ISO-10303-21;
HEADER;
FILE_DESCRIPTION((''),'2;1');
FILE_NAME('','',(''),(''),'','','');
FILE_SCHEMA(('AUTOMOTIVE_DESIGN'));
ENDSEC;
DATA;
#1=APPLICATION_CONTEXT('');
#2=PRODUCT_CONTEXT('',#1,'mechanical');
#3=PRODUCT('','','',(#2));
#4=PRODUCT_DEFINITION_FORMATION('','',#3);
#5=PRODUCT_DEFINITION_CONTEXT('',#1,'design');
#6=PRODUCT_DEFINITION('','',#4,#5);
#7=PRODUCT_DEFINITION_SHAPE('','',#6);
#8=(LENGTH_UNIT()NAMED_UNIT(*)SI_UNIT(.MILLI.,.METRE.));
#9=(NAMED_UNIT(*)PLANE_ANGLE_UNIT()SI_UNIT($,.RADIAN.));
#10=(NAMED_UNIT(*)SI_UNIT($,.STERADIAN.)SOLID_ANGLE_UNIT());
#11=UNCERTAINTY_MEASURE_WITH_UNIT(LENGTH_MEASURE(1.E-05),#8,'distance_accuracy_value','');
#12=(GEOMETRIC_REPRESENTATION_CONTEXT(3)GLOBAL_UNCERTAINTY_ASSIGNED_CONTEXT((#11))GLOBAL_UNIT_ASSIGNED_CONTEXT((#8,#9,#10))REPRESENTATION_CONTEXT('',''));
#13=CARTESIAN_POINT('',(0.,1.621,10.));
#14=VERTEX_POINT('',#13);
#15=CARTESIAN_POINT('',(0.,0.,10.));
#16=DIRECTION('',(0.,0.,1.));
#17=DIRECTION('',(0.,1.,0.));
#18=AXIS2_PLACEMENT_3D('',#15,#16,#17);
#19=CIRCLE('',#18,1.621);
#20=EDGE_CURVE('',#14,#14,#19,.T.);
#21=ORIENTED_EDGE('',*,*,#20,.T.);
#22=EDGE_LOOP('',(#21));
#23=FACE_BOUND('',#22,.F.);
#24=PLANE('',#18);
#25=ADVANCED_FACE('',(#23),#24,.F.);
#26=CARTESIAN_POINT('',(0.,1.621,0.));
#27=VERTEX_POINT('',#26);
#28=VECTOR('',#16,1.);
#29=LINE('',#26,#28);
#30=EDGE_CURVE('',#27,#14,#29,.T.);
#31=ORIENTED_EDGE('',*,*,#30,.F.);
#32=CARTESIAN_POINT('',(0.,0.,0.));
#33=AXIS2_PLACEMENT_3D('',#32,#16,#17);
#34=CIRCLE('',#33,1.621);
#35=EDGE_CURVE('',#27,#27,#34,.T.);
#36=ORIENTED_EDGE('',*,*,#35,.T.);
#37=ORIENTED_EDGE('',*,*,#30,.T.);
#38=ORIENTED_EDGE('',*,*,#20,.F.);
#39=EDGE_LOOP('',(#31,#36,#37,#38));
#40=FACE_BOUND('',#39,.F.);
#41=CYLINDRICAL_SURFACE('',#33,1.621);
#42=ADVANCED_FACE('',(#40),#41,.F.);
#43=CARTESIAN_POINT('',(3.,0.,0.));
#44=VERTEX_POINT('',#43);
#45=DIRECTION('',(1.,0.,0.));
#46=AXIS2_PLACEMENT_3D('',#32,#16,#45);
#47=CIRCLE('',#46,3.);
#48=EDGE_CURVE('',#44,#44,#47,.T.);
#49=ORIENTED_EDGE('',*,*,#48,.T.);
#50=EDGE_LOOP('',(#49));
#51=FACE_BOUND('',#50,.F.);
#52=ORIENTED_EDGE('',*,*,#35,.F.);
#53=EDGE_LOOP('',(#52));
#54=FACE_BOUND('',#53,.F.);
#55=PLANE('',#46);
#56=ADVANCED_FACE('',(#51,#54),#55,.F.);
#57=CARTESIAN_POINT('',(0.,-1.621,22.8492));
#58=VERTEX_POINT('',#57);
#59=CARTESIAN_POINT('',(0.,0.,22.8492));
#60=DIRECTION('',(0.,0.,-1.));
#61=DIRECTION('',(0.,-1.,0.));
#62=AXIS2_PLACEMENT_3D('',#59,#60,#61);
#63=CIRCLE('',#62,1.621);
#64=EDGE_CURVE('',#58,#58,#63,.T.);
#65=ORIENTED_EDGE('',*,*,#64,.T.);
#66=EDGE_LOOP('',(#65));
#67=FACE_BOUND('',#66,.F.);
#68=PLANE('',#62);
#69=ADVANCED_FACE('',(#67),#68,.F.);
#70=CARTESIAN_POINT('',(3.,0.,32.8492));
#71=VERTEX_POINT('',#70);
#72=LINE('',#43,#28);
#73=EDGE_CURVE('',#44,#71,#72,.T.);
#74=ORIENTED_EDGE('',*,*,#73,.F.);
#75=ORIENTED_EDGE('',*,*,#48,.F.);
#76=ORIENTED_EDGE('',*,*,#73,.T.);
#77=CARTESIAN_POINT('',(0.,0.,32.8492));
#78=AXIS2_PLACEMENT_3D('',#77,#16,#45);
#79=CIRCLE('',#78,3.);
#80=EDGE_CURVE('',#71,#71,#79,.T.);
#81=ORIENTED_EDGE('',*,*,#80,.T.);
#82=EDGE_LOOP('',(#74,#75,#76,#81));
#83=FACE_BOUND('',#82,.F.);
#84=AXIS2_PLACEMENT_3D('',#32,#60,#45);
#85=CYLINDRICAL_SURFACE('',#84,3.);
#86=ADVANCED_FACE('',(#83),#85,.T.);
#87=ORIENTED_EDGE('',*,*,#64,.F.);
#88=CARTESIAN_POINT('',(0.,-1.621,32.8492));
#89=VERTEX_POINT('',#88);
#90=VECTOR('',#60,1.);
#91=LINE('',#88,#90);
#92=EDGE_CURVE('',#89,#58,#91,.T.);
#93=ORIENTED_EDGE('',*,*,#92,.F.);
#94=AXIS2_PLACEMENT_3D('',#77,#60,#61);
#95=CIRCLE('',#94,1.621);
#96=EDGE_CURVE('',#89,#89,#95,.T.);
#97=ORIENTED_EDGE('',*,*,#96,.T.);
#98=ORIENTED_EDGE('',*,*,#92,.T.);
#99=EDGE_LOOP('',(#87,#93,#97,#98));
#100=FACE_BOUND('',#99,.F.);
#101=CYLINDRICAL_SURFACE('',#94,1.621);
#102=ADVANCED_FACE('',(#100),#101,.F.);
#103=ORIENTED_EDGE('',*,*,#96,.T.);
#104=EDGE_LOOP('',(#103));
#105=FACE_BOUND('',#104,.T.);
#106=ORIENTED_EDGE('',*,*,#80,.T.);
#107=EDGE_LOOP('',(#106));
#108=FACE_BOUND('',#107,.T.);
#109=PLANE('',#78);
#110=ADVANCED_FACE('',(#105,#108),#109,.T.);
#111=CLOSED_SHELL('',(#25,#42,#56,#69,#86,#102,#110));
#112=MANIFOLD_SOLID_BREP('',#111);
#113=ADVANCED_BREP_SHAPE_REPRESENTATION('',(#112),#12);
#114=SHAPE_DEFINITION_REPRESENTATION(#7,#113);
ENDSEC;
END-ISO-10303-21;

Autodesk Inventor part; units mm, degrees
ref_plane "YZ Plane" through (0, 0, 0) normal (1, 0, 0) x (0, 1, 0)
sketch "Sketch2" plane through (0, 0, 0) normal (0, 0, 1) x (1, 0, 0)
  circle A0 centre (0, 0) radius 3
  dimension "d0" = 6
ref_plane "Work Plane1" through (-3.0381, -3.0381, 30.2492) normal (0, 0, -1) x (0, 1, 0)
ref_plane "Work Plane2" through (-3.0898, -3.0898, 32.8492) normal (0, 0, -1) x (0.0301, 0.9995, 0)
extrude "Extrusion1" add sketch "Sketch2" along normal up to surface (32.8492 mm away)
sketch "Sketch3" plane through (0, 0, 32.8492) normal (0, 0, 1) x (1, 0, 0)
  point P0 (0, 0)
  point P1 (0, 0)
hole "Hole1" at (0, 0, 32.8492) direction (0, 0, -1) diameter 3.242 depth 10 thread size "M4x0.7" class "6H" standard "ISO Metric profile"
sketch "Sketch4" plane through (0, 0, 0) normal (0, 0, -1) x (-1, 0, 0)
  circle A0 centre (0, 0) radius 1.621 projected
  point P0 (0, 0)
hole "Hole2" at (0, 0, 0) direction (0, 0, 1) diameter 3.242 depth 10 thread size "M4x0.7" class "6H" standard "ISO Metric profile"
properties part number "GEARBOX STANDOFFS"
